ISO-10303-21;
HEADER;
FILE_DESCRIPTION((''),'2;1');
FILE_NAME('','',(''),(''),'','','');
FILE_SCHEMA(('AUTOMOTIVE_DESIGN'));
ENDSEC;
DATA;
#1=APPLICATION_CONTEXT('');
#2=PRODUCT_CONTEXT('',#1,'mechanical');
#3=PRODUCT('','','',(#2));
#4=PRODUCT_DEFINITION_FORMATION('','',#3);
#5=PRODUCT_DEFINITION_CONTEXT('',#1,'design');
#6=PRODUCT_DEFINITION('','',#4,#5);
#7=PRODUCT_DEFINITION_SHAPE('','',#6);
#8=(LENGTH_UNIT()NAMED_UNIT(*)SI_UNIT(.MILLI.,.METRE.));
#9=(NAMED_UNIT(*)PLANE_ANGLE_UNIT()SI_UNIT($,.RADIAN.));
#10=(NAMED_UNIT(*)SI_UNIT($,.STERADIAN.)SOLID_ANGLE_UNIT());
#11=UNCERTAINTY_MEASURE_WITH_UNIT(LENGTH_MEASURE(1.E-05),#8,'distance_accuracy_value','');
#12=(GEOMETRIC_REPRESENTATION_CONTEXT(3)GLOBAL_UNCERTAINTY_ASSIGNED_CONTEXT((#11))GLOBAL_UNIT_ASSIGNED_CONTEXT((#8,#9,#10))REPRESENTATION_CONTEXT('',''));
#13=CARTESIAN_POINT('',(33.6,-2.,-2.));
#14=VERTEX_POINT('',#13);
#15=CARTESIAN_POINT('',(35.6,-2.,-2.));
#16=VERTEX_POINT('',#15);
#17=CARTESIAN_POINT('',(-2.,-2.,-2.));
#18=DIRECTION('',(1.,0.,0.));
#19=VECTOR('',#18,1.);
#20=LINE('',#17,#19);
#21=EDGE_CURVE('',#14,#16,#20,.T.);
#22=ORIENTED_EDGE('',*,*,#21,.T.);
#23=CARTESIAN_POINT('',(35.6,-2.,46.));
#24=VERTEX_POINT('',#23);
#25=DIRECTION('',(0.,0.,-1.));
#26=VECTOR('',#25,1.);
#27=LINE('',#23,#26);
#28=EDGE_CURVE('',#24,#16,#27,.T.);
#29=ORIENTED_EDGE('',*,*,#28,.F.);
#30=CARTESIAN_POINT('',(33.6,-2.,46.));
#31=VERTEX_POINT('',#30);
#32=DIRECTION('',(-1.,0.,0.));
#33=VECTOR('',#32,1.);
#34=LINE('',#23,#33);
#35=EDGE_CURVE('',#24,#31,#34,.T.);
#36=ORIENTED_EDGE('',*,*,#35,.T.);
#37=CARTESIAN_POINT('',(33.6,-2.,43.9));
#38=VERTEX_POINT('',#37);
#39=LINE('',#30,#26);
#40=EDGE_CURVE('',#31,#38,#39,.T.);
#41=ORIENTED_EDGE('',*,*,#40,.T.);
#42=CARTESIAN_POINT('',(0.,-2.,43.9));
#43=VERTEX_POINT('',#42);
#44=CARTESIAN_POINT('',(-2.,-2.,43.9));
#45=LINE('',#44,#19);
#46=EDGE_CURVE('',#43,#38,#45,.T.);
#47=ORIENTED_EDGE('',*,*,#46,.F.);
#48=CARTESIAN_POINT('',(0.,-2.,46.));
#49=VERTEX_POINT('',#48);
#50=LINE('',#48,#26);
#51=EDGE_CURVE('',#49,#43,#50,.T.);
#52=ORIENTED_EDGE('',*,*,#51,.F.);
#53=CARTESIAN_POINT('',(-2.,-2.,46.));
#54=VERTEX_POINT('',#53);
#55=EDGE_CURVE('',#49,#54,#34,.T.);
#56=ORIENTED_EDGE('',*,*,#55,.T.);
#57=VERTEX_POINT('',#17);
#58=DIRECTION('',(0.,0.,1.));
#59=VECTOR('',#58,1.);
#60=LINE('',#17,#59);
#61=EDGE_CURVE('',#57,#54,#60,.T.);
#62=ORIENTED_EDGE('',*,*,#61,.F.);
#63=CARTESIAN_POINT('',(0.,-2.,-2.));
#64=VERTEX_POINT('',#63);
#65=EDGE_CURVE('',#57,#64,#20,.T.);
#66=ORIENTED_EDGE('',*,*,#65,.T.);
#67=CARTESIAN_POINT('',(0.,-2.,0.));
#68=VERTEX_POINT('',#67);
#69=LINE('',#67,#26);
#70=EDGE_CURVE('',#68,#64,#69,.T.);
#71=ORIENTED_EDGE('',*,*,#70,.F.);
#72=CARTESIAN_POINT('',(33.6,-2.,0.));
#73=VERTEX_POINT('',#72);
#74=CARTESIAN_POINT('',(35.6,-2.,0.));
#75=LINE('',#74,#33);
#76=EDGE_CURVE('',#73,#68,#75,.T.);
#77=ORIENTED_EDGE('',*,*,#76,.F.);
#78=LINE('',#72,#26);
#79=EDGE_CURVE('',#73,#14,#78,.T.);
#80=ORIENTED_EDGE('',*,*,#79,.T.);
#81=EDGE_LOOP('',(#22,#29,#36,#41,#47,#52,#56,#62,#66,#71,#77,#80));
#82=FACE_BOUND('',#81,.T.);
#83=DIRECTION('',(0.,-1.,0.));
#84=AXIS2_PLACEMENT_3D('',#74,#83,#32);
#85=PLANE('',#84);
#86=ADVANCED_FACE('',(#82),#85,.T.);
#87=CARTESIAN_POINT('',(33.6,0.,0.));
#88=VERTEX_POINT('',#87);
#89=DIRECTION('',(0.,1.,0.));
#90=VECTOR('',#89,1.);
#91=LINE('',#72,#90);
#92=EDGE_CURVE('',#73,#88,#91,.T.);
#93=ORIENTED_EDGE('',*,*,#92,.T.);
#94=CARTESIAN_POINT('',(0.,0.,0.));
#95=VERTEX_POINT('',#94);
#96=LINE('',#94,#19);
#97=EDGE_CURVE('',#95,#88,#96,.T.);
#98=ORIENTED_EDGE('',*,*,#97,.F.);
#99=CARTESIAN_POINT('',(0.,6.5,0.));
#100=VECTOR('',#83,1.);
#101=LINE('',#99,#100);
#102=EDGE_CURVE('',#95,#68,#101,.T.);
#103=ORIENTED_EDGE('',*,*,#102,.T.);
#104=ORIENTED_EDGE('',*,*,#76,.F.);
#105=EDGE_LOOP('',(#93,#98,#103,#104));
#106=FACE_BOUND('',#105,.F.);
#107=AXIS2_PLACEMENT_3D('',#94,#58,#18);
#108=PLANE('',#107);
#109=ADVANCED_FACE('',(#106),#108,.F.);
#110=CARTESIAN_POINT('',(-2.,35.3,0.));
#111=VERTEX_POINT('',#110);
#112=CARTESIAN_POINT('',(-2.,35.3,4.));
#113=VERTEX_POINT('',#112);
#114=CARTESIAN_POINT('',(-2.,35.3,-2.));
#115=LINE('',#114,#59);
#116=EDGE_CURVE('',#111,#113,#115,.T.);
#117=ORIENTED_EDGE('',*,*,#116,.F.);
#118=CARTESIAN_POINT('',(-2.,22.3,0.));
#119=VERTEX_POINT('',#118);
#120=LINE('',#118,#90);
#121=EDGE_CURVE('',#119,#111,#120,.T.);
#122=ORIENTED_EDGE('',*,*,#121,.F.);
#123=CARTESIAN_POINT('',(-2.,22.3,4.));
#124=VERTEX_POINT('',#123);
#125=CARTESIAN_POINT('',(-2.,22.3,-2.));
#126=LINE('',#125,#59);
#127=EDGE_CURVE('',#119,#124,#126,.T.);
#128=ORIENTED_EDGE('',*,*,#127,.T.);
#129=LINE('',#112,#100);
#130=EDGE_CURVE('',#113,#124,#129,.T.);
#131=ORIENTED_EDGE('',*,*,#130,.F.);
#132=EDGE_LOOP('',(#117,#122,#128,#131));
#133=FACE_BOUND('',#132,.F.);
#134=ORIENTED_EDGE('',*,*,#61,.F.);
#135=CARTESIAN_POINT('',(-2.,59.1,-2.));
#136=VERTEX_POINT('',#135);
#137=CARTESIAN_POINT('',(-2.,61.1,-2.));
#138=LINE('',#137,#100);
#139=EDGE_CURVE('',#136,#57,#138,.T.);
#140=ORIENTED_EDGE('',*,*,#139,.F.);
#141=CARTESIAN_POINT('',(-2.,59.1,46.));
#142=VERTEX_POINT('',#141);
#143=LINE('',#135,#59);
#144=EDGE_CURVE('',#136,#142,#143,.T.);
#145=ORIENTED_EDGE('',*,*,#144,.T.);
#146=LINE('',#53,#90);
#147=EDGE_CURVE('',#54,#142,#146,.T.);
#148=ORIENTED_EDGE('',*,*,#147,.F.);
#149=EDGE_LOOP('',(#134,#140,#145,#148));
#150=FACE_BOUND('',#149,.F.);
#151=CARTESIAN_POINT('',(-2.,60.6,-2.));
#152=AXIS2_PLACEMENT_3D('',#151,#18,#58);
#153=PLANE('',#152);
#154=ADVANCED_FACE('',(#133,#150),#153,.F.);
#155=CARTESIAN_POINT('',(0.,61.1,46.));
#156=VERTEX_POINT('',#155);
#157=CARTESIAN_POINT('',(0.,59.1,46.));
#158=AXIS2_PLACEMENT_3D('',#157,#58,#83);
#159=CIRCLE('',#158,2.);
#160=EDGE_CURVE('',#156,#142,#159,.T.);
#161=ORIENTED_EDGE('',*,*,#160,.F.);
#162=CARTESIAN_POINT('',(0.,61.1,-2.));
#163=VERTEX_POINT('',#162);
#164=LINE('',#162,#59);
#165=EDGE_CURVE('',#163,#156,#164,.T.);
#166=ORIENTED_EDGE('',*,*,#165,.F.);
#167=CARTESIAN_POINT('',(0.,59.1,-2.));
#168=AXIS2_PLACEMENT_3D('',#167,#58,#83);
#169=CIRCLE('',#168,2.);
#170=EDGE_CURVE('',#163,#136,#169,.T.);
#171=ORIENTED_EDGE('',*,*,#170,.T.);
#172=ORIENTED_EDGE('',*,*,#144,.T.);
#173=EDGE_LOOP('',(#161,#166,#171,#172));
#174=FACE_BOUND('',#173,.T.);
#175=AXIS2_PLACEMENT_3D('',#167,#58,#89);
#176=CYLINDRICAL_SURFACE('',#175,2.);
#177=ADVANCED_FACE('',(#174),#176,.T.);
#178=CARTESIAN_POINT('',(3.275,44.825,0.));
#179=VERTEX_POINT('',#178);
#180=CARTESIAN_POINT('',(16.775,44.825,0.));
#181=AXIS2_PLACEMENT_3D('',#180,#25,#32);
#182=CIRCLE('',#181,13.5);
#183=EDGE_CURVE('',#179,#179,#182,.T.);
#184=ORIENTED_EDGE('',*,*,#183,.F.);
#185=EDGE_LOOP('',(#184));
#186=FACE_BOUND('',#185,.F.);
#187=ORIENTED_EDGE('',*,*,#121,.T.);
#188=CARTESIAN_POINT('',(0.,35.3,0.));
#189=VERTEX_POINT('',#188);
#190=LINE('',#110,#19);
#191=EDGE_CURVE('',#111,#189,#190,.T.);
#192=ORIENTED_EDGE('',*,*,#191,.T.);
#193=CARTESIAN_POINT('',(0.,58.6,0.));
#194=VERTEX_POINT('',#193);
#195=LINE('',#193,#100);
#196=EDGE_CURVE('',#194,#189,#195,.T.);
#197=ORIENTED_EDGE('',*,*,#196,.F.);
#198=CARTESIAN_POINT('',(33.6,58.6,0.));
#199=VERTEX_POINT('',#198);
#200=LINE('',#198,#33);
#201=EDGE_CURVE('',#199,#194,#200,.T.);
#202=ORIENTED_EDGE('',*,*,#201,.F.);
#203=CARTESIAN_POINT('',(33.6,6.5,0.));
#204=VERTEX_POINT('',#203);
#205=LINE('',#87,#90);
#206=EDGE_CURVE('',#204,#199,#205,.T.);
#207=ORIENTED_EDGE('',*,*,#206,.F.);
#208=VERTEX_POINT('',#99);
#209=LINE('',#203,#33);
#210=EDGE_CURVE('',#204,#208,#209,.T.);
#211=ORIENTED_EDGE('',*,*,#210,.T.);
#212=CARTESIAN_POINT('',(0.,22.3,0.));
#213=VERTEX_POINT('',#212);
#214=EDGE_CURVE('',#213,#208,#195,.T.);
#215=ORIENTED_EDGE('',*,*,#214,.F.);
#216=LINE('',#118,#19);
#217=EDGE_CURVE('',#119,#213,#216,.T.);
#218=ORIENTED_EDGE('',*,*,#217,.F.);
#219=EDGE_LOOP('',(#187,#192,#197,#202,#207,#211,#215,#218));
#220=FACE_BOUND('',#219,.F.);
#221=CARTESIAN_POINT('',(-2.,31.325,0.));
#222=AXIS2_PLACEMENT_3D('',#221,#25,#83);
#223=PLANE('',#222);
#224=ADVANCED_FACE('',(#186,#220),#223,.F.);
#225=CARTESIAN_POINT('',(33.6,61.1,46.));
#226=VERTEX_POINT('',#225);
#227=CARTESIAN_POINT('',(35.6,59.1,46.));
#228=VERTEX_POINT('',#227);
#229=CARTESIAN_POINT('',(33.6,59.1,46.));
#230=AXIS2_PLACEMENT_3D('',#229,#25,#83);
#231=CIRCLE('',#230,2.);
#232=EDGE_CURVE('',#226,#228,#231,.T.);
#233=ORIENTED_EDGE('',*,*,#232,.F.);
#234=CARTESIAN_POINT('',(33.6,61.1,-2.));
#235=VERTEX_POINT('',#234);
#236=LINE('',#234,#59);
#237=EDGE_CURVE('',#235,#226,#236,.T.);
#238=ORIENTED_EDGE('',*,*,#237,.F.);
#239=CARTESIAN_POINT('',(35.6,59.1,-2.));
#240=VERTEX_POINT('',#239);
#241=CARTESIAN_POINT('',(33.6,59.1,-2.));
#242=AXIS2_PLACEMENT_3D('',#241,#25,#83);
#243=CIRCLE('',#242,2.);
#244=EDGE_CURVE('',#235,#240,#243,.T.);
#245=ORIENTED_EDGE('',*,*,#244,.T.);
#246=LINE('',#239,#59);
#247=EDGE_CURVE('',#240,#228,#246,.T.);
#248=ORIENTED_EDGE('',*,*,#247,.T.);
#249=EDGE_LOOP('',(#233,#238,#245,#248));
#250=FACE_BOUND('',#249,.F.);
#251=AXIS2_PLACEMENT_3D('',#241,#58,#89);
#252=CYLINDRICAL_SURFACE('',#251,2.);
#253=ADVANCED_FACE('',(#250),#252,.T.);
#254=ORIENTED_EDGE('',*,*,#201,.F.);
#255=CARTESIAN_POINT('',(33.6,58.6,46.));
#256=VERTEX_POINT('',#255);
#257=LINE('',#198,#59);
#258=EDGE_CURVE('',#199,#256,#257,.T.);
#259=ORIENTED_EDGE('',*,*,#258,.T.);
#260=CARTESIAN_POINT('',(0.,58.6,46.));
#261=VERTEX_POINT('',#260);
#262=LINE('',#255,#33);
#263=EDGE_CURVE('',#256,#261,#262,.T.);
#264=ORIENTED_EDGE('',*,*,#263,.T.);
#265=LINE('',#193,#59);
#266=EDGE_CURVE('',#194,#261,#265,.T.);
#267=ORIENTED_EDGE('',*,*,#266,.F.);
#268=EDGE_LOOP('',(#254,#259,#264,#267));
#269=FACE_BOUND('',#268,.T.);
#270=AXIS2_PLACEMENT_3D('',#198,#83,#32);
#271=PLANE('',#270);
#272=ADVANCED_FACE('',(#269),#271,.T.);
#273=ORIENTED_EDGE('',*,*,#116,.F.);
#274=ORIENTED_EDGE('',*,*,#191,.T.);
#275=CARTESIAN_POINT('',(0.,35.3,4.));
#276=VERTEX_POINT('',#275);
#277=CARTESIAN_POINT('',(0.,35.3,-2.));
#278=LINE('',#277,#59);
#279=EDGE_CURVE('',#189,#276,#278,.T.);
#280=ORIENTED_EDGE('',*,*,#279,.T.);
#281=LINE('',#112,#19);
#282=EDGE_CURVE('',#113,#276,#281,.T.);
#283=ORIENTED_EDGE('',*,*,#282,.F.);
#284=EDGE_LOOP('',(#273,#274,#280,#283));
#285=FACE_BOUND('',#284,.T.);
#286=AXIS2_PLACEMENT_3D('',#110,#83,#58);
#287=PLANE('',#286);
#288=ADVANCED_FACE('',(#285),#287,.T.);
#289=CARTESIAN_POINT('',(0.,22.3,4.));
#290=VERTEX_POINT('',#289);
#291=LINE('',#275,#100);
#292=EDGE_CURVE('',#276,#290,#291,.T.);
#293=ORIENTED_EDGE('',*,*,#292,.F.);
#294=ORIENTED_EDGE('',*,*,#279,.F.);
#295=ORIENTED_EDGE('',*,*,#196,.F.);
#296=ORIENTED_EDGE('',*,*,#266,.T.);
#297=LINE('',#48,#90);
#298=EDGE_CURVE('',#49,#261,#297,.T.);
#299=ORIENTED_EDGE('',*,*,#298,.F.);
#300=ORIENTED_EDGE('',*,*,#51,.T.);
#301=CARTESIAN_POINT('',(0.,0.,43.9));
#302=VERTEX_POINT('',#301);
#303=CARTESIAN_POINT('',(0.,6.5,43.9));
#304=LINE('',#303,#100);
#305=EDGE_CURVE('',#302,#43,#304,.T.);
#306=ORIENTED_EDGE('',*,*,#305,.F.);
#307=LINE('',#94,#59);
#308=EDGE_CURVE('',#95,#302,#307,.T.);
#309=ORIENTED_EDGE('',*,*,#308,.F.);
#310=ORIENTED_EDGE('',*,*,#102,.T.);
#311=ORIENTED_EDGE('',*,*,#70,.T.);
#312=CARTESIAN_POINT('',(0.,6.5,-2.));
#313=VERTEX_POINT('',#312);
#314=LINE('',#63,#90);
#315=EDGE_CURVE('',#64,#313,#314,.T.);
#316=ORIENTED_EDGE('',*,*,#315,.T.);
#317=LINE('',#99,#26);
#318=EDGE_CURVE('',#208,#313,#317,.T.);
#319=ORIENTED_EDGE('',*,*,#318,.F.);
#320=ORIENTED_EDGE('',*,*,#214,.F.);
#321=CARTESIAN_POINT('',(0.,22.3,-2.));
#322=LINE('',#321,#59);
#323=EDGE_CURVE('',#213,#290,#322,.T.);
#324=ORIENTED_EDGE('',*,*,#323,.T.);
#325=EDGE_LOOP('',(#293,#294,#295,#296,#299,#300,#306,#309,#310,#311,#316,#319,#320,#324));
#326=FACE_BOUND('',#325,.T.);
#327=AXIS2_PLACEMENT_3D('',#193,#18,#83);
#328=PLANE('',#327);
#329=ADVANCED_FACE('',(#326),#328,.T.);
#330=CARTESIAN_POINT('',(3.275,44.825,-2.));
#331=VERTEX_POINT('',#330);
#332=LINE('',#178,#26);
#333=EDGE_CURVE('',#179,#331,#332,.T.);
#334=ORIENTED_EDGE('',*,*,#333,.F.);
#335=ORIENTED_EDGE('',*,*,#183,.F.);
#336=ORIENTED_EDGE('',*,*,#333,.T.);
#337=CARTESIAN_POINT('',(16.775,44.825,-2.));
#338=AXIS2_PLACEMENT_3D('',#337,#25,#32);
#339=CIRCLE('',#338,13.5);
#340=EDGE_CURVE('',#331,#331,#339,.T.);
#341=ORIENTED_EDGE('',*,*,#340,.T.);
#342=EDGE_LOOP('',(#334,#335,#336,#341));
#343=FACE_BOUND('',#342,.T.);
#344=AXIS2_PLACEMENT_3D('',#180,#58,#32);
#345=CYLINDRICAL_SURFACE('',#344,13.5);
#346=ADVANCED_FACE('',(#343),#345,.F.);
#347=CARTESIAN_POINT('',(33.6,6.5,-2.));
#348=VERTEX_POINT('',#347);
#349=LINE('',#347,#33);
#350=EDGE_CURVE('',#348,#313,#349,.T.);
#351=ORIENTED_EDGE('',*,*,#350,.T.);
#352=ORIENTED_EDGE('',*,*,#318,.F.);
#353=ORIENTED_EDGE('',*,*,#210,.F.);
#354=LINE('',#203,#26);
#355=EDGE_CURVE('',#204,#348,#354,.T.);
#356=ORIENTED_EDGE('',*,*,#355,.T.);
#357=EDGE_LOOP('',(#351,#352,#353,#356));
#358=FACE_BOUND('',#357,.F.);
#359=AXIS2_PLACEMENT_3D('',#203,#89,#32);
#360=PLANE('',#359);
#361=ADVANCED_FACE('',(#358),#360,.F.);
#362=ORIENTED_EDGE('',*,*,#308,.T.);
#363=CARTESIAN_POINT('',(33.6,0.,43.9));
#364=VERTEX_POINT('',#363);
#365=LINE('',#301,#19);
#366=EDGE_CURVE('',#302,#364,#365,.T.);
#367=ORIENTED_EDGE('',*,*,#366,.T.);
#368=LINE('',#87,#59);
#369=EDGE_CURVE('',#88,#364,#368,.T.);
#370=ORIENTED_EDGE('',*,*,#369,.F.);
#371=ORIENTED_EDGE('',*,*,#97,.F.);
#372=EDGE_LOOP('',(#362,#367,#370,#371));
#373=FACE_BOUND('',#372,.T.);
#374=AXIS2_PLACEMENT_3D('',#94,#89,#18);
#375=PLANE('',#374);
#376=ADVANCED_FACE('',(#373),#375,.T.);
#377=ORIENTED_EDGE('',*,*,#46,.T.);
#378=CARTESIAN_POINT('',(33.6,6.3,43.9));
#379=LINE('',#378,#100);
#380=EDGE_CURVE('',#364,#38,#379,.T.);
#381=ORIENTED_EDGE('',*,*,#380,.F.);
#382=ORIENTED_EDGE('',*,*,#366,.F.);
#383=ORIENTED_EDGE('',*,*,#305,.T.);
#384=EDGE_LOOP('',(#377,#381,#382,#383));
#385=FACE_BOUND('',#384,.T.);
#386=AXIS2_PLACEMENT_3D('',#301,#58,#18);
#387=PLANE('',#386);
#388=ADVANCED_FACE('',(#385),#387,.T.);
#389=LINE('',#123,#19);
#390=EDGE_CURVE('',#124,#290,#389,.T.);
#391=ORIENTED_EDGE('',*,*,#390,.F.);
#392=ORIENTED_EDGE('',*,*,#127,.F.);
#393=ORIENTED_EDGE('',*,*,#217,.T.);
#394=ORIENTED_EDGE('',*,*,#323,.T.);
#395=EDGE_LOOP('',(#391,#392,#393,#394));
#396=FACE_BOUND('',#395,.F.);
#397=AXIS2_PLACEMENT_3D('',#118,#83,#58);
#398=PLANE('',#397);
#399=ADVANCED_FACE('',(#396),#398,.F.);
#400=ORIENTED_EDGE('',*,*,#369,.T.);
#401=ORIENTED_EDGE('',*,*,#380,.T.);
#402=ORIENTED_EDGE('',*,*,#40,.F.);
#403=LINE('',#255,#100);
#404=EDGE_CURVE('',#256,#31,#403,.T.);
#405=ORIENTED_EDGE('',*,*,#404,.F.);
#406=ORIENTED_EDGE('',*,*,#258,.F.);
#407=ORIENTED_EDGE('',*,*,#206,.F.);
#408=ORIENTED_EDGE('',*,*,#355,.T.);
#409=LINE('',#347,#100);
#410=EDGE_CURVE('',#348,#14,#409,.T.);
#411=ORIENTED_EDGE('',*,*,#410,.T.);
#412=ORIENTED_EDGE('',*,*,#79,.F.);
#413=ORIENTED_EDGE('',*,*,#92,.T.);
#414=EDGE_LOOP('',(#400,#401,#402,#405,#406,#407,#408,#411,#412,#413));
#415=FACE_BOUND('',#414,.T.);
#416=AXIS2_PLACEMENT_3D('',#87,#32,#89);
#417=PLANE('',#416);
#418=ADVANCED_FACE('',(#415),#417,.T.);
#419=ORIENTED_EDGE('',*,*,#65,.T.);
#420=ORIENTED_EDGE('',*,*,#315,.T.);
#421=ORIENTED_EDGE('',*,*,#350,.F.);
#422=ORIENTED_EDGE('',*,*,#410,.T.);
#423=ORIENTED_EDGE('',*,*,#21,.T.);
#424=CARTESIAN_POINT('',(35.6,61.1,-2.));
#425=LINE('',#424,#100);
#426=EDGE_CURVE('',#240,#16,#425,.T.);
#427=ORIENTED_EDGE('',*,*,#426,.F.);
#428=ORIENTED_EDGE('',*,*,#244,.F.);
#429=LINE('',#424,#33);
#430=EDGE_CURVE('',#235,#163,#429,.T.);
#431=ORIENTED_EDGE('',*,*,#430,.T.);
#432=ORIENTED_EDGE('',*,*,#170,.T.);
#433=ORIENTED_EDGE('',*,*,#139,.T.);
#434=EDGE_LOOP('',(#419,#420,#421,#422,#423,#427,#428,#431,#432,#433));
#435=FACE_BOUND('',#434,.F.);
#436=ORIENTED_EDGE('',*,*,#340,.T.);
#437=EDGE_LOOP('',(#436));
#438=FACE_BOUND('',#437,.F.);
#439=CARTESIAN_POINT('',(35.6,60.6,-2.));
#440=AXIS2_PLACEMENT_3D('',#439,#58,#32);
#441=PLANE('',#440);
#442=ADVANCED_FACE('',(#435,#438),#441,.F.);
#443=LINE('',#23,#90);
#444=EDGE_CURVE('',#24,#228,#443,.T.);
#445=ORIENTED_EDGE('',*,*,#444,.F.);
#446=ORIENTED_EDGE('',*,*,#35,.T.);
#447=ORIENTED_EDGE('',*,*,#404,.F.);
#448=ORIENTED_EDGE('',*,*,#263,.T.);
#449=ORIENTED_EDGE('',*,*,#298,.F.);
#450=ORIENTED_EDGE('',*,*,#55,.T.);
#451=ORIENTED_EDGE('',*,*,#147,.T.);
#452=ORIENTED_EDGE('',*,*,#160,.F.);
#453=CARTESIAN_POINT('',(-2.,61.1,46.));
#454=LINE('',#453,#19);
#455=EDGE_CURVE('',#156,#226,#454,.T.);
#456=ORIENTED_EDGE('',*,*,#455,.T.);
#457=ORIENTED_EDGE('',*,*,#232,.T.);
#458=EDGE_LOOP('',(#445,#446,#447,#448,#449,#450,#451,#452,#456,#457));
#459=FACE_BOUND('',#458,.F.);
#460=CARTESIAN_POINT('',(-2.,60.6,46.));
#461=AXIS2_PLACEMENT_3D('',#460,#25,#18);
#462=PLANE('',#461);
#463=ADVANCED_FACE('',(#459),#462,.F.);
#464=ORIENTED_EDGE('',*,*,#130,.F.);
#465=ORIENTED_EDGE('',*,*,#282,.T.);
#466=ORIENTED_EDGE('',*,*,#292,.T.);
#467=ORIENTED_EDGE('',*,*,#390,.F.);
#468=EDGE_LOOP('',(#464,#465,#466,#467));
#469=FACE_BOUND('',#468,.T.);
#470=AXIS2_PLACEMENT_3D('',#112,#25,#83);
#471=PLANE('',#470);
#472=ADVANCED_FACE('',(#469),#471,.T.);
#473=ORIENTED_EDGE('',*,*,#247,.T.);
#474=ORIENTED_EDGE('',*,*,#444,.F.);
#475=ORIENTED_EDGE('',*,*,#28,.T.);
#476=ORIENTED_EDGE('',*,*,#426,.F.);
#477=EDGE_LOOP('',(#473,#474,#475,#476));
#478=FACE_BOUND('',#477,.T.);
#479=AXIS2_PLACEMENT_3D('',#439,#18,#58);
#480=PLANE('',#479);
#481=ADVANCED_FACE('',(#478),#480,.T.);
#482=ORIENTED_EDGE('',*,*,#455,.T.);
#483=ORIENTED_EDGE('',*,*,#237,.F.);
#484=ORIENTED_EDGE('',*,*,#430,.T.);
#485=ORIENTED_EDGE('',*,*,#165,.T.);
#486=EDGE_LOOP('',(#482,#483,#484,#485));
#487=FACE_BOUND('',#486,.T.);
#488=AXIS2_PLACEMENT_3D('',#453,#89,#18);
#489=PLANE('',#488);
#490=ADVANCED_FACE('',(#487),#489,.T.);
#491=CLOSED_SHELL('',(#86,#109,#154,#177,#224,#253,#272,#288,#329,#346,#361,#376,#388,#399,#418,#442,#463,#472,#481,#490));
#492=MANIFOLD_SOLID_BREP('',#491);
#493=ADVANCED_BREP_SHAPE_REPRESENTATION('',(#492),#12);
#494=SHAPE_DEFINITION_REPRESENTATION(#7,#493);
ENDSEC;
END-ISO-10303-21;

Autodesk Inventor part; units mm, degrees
ref_plane "YZ Plane" through (0, 0, 0) normal (1, 0, 0) x (0, 1, 0)
ref_plane "XZ Plane" through (0, 0, 0) normal (0, 1, 0) x (-1, 0, 0)
ref_plane "XY Plane" through (0, 0, 0) normal (0, 0, 1) x (1, 0, 0)
sketch "Sketch3" plane through (0, 0, 0) normal (0, 0, 1) x (1, 0, 0)
  line L0 (0, 0) -> (33.6, 0)
  line L1 (33.6, 0) -> (33.6, 58.6)
  line L2 (33.6, 58.6) -> (0, 58.6)
  line L3 (0, 58.6) -> (0, 0)
  line L4 (-2, 60.6) -> (35.6, 60.6)
  line L5 (35.6, 60.6) -> (35.6, -2)
  line L6 (35.6, -2) -> (-2, -2)
  line L7 (-2, -2) -> (-2, 60.6)
  dimension "d36" = 33.6
  dimension "d37" = 58.6
  dimension "d38" = 2
extrude "Extrusion3" add sketch "Sketch3" along normal blind 46
sketch "Sketch4" plane through (0, 0, 0) normal (0, 0, -1) x (-1, 0, 0)
  circle A0 centre (-16.775, 44.825) radius 13.5
  line L0 (0, 58.6) -> (-33.6, 58.6) projected
  line L1 (0, 0) -> (0, 58.6) projected
  line L2 (-33.6, 58.6) -> (-33.6, 0) projected
  line L3 (-33.6, 6.5) -> (0, 6.5)
  line L4 (0, 0) -> (0, 58.6) projected
  line L5 (-33.6, 0) -> (0, 0) projected
  line L6 (-33.6, 0) -> (0, 0) projected
  line L7 (-33.6, 6.5) -> (0, 6.5)
  line L8 (0, 6.5) -> (0, 0)
  line L9 (0, 0) -> (-33.6, 0)
  line L10 (-33.6, 0) -> (-33.6, 6.5)
  line L11 (-35.6, 60.6) -> (2, 60.6) projected
  line L12 (2, 60.6) -> (2, -2) projected
  line L13 (-35.6, 60.6) -> (2, 60.6)
  line L14 (2, 60.6) -> (2, -2)
  line L15 (2, -2) -> (-35.6, -2)
  line L16 (-35.6, -2) -> (-35.6, 60.6)
  line L17 (-33.6, 58.6) -> (-33.6, 0) projected
  line L18 (-33.6, 0) -> (-33.6, -2)
  line L19 (0, 0) -> (0, -2)
  line L20 (2, -2) -> (-35.6, -2) projected
  point P0 (0, 6.5)
  dimension "d41" = 27
  dimension "d42" = 13.775
  dimension "d43" = 16.775
  dimension "d44" = 6.5
extrude "Extrusion4" add sketch "Sketch4" along normal blind 2 contours L1 L3 L2 L0 | L0 L2 L18 L15 L16 L11 L12 L19 L1
sketch "Sketch5" plane through (-2, 60.6, 46) normal (0, 1, 0) x (1, 0, 0)
  line L0 (0, 0) -> (37.6, 0) projected
  line L1 (37.6, 48) -> (37.6, 0) projected
  line L2 (0, 0) -> (37.6, 0)
  line L3 (37.6, 0) -> (37.6, 48)
  line L4 (37.6, 48) -> (0, 48)
  line L5 (0, 48) -> (0, 0)
  point P0 (2, 46)
extrude "Extrusion5" add sketch "Sketch5" along normal blind 0.5
sketch "Sketch6" plane through (0, 0, 46) normal (0, 0, 1) x (1, 0, 0)
  line L0 (-2, -2) -> (35.6, -2)
  line L1 (35.6, -2) -> (35.6, 6.3)
  line L2 (35.6, 6.3) -> (-2, 6.3)
  line L3 (-2, 6.3) -> (-2, -2)
  line L4 (0, 6.5) -> (0, -2) projected
  line L5 (0, 6.3) -> (0, -2)
  line L6 (35.6, -2) -> (33.6, -2) projected
  line L7 (33.6, 6.3) -> (33.6, -2)
  point P0 (0, 0)
  dimension "d56" = 8.3
extrude "Extrusion6" cut sketch "Sketch6" against normal blind 2.1 contours L4 L2 L7 L0
sketch "Sketch7" plane through (-2, -2, -2) normal (-1, 0, 0) x (0, 0, 1)
  line L0 (0, 37.3) -> (6, 37.3)
  line L1 (0, 24.3) -> (6, 24.3)
  line L2 (6, 37.3) -> (6, 24.3)
  line L3 (2, 33.325) -> (2, 60.325) projected
  line L4 (48, 0) -> (0, 0) projected
  line L5 (2, 37.3) -> (2, 24.3)
  line L6 (0, 37.3) -> (0, 24.3)
  line L7 (0, 33.325) -> (0, 60.325) projected
  point P0 (2, 2)
  point P1 (3, 24.3)
  point P2 (2, 37.3)
  dimension "d59" = 6
  dimension "d60" = 13
  dimension "d61" = 24.3
extrude "Extrusion7" cut sketch "Sketch7" against normal up to surface (2 mm away) contours L0 L2 L1 L5 L3
fillet "Fillet3" radius 2 1 edges at (35.6, 61.1, 22)
fillet "Fillet4" radius 2 1 edges at (-2, 61.1, 22)
properties part number "Base_Demo_1"
